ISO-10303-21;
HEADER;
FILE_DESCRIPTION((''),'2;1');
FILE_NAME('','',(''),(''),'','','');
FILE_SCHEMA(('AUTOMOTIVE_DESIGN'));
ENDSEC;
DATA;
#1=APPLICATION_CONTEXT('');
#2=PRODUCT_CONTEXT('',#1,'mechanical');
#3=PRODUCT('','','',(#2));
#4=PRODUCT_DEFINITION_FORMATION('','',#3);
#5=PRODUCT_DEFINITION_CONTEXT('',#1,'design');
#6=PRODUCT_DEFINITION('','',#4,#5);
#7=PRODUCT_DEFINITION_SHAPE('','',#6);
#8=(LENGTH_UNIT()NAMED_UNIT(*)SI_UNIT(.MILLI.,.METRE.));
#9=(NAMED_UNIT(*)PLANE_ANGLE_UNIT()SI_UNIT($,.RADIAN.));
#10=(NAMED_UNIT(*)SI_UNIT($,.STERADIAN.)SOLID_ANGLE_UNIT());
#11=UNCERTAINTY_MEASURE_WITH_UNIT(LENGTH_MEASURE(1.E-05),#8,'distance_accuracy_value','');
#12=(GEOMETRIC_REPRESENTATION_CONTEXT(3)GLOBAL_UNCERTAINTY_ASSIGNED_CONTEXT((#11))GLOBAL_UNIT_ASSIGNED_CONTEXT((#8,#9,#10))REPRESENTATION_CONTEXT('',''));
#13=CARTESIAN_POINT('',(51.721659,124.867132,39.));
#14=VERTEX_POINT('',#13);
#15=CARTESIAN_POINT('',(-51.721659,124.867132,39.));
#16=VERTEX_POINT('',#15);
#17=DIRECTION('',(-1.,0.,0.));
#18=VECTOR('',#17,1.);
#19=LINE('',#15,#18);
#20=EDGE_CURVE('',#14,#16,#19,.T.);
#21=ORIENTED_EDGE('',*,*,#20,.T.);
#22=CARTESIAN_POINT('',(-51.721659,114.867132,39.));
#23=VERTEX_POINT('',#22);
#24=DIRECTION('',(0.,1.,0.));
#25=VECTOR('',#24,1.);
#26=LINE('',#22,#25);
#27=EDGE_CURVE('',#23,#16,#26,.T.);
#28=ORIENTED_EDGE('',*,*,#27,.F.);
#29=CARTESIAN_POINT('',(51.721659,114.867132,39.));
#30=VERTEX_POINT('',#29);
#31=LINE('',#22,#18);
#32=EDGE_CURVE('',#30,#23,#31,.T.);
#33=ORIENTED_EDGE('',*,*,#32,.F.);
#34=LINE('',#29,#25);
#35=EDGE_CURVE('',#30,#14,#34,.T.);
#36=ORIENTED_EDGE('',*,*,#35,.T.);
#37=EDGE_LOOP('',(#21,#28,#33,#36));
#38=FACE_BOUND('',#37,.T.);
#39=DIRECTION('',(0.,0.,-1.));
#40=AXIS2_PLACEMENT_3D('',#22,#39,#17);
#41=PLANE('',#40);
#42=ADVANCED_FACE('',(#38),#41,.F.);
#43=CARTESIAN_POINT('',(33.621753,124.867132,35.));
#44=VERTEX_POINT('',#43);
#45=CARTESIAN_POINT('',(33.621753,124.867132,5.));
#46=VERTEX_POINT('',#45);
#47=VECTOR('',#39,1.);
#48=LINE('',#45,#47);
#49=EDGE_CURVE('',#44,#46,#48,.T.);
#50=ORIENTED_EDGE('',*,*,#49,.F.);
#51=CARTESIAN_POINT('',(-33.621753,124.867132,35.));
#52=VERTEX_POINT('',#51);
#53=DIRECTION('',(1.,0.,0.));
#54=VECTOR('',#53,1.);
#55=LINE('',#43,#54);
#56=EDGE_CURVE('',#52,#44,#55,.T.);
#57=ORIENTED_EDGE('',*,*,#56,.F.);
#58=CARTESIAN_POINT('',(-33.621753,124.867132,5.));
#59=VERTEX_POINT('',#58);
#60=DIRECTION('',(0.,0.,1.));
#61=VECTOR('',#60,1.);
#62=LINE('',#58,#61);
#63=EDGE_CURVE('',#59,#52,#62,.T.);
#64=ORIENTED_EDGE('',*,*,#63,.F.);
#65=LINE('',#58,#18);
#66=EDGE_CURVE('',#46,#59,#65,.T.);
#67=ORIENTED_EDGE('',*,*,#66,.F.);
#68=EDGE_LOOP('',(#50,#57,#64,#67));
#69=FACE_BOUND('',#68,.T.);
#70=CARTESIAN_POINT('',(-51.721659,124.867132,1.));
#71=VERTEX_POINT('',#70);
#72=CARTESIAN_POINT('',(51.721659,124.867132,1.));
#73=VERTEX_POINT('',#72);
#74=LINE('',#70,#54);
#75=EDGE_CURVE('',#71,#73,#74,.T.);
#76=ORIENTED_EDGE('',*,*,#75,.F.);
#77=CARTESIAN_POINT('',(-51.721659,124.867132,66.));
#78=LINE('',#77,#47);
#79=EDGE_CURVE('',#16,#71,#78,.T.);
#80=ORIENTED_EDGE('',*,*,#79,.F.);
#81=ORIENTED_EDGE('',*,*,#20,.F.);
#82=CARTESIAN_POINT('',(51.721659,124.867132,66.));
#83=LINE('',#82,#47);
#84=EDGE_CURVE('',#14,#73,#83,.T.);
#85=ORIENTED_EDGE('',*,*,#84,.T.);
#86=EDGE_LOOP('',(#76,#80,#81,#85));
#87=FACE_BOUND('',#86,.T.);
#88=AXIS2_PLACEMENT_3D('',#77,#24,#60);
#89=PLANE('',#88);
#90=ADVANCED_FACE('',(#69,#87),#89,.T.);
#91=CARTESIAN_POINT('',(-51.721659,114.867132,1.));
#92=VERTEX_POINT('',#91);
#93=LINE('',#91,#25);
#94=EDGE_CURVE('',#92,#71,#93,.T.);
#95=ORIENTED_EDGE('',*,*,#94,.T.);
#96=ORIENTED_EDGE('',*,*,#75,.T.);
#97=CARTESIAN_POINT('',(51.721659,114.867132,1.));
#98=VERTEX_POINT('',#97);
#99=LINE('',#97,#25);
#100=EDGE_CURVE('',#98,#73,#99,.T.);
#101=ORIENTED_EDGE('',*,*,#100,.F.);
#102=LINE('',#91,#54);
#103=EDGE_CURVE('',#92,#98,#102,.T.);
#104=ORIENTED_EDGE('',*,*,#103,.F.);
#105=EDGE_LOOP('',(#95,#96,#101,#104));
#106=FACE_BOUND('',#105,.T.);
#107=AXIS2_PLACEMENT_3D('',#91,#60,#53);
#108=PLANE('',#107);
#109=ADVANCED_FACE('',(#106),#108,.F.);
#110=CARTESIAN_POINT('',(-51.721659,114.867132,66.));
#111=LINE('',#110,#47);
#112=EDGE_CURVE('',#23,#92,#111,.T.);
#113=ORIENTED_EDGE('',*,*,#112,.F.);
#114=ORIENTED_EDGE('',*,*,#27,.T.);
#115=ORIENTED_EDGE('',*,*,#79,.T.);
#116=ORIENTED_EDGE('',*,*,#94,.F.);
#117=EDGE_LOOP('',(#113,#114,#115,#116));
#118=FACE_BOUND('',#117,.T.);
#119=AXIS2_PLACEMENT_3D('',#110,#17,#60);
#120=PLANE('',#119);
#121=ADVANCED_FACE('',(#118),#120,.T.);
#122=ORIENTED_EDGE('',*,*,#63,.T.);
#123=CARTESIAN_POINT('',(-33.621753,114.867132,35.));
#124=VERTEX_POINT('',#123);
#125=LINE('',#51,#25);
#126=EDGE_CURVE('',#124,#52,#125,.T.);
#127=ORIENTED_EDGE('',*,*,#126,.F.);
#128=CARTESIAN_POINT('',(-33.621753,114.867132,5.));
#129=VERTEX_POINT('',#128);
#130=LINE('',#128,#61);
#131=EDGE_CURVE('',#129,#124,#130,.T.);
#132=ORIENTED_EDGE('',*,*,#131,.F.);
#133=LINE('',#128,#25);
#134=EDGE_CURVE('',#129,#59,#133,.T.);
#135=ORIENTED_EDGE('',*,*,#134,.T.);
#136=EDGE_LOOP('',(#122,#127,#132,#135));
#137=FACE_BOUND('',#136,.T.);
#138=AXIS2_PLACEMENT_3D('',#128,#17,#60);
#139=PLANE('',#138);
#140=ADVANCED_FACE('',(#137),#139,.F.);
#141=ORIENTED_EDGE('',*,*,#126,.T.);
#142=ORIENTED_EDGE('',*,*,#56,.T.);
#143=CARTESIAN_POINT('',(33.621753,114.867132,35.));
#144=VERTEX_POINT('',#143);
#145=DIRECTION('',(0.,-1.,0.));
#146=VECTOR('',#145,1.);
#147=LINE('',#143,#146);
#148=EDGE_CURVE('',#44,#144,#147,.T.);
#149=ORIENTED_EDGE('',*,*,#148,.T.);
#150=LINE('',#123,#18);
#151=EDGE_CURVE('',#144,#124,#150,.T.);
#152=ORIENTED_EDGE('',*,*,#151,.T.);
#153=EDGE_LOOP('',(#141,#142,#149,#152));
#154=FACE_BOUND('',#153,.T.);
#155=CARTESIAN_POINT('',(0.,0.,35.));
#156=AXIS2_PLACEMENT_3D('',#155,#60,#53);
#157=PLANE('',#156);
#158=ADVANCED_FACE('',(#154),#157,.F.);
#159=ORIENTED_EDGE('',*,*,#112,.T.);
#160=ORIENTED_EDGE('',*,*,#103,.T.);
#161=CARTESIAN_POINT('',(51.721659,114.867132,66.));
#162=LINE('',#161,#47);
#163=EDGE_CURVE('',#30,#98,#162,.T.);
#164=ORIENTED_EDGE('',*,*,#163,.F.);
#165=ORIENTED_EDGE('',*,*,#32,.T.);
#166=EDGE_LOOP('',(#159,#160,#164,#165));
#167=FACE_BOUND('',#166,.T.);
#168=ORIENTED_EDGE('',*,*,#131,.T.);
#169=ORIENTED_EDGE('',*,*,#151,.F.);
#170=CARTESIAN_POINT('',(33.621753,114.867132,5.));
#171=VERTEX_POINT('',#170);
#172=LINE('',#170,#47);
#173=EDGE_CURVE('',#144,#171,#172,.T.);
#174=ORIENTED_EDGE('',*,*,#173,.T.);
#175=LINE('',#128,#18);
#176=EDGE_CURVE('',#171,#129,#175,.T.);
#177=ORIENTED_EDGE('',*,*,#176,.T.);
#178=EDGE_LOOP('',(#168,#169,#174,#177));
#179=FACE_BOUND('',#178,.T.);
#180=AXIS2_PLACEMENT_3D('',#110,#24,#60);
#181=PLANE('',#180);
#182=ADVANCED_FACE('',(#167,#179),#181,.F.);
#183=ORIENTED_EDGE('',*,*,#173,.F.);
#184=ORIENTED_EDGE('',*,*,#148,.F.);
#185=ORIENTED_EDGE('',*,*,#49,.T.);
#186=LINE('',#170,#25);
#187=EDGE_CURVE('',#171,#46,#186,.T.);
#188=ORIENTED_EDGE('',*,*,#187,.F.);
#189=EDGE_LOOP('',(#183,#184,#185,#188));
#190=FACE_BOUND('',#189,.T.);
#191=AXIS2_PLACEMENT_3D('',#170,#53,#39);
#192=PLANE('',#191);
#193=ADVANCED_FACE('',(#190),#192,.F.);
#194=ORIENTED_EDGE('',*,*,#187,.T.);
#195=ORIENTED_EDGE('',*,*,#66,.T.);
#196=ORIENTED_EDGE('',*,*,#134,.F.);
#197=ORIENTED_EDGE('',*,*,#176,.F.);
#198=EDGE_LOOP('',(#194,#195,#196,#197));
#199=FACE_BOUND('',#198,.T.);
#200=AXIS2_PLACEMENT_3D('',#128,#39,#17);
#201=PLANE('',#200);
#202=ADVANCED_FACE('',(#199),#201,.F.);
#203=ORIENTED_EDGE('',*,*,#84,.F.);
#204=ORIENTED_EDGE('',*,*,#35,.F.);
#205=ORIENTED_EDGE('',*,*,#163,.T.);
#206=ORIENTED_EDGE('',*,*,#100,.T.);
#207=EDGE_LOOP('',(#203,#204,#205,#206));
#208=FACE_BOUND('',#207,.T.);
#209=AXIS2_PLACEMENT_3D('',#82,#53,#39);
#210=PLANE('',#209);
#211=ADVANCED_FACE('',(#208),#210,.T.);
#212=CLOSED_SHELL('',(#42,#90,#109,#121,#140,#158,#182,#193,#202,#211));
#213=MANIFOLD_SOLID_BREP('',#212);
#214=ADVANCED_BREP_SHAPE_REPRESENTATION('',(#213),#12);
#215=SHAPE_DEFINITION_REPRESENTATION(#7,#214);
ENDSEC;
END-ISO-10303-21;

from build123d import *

# Parameters (mm, degrees)
SKETCH5_W           = 103.443318868
SKETCH5_H           = 10
EXTRUDE_THIN1_DEPTH = 66
SKETCH7_W           = 67.24350567
SKETCH7_H           = 56
CUT_EXTRUDE2_DEPTH  = 10
SKETCH8_W           = 67.24350567
SKETCH8_H           = 10
BOSS_EXTRUDE1_DEPTH = 26
SKETCH9_W           = 103.443318868
SKETCH9_H           = 27
SKETCH9_H_2         = 1
CUT_EXTRUDE3_DEPTH  = 10


with BuildPart() as part:
    # Sketch5 → Extrude-Thin1 (new body)
    with BuildSketch(Plane.XY):
        with Locations((0, 119.867131674)):
            Rectangle(SKETCH5_W, SKETCH5_H)
    extrude(amount=EXTRUDE_THIN1_DEPTH)

    # Sketch7 → Cut-Extrude2 (cut)
    with BuildSketch(Plane(origin=(0, 124.867131674, 0), x_dir=(1, 0, 0), z_dir=(0, 1, 0))):
        with Locations((0, -33)):
            Rectangle(SKETCH7_W, SKETCH7_H)
    extrude(amount=-CUT_EXTRUDE2_DEPTH, mode=Mode.SUBTRACT)

    # Sketch8 → Boss-Extrude1 (add)
    with BuildSketch(Plane(origin=(0, 0, 61), x_dir=(-1, 0, 0), z_dir=(0, 0, -1))):
        with Locations((0, 119.867131674)):
            Rectangle(SKETCH8_W, SKETCH8_H)
    extrude(amount=BOSS_EXTRUDE1_DEPTH)

    # Sketch9 → Cut-Extrude3 (cut)
    with BuildSketch(Plane(origin=(0, 124.867131674, 0), x_dir=(1, 0, 0), z_dir=(0, 1, 0))):
        with Locations((0, -52.5)):
            Rectangle(SKETCH9_W, SKETCH9_H)
        with Locations((0, -0.5)):
            Rectangle(SKETCH9_W, SKETCH9_H_2)
    extrude(amount=-CUT_EXTRUDE3_DEPTH, mode=Mode.SUBTRACT)


solid = part.part
